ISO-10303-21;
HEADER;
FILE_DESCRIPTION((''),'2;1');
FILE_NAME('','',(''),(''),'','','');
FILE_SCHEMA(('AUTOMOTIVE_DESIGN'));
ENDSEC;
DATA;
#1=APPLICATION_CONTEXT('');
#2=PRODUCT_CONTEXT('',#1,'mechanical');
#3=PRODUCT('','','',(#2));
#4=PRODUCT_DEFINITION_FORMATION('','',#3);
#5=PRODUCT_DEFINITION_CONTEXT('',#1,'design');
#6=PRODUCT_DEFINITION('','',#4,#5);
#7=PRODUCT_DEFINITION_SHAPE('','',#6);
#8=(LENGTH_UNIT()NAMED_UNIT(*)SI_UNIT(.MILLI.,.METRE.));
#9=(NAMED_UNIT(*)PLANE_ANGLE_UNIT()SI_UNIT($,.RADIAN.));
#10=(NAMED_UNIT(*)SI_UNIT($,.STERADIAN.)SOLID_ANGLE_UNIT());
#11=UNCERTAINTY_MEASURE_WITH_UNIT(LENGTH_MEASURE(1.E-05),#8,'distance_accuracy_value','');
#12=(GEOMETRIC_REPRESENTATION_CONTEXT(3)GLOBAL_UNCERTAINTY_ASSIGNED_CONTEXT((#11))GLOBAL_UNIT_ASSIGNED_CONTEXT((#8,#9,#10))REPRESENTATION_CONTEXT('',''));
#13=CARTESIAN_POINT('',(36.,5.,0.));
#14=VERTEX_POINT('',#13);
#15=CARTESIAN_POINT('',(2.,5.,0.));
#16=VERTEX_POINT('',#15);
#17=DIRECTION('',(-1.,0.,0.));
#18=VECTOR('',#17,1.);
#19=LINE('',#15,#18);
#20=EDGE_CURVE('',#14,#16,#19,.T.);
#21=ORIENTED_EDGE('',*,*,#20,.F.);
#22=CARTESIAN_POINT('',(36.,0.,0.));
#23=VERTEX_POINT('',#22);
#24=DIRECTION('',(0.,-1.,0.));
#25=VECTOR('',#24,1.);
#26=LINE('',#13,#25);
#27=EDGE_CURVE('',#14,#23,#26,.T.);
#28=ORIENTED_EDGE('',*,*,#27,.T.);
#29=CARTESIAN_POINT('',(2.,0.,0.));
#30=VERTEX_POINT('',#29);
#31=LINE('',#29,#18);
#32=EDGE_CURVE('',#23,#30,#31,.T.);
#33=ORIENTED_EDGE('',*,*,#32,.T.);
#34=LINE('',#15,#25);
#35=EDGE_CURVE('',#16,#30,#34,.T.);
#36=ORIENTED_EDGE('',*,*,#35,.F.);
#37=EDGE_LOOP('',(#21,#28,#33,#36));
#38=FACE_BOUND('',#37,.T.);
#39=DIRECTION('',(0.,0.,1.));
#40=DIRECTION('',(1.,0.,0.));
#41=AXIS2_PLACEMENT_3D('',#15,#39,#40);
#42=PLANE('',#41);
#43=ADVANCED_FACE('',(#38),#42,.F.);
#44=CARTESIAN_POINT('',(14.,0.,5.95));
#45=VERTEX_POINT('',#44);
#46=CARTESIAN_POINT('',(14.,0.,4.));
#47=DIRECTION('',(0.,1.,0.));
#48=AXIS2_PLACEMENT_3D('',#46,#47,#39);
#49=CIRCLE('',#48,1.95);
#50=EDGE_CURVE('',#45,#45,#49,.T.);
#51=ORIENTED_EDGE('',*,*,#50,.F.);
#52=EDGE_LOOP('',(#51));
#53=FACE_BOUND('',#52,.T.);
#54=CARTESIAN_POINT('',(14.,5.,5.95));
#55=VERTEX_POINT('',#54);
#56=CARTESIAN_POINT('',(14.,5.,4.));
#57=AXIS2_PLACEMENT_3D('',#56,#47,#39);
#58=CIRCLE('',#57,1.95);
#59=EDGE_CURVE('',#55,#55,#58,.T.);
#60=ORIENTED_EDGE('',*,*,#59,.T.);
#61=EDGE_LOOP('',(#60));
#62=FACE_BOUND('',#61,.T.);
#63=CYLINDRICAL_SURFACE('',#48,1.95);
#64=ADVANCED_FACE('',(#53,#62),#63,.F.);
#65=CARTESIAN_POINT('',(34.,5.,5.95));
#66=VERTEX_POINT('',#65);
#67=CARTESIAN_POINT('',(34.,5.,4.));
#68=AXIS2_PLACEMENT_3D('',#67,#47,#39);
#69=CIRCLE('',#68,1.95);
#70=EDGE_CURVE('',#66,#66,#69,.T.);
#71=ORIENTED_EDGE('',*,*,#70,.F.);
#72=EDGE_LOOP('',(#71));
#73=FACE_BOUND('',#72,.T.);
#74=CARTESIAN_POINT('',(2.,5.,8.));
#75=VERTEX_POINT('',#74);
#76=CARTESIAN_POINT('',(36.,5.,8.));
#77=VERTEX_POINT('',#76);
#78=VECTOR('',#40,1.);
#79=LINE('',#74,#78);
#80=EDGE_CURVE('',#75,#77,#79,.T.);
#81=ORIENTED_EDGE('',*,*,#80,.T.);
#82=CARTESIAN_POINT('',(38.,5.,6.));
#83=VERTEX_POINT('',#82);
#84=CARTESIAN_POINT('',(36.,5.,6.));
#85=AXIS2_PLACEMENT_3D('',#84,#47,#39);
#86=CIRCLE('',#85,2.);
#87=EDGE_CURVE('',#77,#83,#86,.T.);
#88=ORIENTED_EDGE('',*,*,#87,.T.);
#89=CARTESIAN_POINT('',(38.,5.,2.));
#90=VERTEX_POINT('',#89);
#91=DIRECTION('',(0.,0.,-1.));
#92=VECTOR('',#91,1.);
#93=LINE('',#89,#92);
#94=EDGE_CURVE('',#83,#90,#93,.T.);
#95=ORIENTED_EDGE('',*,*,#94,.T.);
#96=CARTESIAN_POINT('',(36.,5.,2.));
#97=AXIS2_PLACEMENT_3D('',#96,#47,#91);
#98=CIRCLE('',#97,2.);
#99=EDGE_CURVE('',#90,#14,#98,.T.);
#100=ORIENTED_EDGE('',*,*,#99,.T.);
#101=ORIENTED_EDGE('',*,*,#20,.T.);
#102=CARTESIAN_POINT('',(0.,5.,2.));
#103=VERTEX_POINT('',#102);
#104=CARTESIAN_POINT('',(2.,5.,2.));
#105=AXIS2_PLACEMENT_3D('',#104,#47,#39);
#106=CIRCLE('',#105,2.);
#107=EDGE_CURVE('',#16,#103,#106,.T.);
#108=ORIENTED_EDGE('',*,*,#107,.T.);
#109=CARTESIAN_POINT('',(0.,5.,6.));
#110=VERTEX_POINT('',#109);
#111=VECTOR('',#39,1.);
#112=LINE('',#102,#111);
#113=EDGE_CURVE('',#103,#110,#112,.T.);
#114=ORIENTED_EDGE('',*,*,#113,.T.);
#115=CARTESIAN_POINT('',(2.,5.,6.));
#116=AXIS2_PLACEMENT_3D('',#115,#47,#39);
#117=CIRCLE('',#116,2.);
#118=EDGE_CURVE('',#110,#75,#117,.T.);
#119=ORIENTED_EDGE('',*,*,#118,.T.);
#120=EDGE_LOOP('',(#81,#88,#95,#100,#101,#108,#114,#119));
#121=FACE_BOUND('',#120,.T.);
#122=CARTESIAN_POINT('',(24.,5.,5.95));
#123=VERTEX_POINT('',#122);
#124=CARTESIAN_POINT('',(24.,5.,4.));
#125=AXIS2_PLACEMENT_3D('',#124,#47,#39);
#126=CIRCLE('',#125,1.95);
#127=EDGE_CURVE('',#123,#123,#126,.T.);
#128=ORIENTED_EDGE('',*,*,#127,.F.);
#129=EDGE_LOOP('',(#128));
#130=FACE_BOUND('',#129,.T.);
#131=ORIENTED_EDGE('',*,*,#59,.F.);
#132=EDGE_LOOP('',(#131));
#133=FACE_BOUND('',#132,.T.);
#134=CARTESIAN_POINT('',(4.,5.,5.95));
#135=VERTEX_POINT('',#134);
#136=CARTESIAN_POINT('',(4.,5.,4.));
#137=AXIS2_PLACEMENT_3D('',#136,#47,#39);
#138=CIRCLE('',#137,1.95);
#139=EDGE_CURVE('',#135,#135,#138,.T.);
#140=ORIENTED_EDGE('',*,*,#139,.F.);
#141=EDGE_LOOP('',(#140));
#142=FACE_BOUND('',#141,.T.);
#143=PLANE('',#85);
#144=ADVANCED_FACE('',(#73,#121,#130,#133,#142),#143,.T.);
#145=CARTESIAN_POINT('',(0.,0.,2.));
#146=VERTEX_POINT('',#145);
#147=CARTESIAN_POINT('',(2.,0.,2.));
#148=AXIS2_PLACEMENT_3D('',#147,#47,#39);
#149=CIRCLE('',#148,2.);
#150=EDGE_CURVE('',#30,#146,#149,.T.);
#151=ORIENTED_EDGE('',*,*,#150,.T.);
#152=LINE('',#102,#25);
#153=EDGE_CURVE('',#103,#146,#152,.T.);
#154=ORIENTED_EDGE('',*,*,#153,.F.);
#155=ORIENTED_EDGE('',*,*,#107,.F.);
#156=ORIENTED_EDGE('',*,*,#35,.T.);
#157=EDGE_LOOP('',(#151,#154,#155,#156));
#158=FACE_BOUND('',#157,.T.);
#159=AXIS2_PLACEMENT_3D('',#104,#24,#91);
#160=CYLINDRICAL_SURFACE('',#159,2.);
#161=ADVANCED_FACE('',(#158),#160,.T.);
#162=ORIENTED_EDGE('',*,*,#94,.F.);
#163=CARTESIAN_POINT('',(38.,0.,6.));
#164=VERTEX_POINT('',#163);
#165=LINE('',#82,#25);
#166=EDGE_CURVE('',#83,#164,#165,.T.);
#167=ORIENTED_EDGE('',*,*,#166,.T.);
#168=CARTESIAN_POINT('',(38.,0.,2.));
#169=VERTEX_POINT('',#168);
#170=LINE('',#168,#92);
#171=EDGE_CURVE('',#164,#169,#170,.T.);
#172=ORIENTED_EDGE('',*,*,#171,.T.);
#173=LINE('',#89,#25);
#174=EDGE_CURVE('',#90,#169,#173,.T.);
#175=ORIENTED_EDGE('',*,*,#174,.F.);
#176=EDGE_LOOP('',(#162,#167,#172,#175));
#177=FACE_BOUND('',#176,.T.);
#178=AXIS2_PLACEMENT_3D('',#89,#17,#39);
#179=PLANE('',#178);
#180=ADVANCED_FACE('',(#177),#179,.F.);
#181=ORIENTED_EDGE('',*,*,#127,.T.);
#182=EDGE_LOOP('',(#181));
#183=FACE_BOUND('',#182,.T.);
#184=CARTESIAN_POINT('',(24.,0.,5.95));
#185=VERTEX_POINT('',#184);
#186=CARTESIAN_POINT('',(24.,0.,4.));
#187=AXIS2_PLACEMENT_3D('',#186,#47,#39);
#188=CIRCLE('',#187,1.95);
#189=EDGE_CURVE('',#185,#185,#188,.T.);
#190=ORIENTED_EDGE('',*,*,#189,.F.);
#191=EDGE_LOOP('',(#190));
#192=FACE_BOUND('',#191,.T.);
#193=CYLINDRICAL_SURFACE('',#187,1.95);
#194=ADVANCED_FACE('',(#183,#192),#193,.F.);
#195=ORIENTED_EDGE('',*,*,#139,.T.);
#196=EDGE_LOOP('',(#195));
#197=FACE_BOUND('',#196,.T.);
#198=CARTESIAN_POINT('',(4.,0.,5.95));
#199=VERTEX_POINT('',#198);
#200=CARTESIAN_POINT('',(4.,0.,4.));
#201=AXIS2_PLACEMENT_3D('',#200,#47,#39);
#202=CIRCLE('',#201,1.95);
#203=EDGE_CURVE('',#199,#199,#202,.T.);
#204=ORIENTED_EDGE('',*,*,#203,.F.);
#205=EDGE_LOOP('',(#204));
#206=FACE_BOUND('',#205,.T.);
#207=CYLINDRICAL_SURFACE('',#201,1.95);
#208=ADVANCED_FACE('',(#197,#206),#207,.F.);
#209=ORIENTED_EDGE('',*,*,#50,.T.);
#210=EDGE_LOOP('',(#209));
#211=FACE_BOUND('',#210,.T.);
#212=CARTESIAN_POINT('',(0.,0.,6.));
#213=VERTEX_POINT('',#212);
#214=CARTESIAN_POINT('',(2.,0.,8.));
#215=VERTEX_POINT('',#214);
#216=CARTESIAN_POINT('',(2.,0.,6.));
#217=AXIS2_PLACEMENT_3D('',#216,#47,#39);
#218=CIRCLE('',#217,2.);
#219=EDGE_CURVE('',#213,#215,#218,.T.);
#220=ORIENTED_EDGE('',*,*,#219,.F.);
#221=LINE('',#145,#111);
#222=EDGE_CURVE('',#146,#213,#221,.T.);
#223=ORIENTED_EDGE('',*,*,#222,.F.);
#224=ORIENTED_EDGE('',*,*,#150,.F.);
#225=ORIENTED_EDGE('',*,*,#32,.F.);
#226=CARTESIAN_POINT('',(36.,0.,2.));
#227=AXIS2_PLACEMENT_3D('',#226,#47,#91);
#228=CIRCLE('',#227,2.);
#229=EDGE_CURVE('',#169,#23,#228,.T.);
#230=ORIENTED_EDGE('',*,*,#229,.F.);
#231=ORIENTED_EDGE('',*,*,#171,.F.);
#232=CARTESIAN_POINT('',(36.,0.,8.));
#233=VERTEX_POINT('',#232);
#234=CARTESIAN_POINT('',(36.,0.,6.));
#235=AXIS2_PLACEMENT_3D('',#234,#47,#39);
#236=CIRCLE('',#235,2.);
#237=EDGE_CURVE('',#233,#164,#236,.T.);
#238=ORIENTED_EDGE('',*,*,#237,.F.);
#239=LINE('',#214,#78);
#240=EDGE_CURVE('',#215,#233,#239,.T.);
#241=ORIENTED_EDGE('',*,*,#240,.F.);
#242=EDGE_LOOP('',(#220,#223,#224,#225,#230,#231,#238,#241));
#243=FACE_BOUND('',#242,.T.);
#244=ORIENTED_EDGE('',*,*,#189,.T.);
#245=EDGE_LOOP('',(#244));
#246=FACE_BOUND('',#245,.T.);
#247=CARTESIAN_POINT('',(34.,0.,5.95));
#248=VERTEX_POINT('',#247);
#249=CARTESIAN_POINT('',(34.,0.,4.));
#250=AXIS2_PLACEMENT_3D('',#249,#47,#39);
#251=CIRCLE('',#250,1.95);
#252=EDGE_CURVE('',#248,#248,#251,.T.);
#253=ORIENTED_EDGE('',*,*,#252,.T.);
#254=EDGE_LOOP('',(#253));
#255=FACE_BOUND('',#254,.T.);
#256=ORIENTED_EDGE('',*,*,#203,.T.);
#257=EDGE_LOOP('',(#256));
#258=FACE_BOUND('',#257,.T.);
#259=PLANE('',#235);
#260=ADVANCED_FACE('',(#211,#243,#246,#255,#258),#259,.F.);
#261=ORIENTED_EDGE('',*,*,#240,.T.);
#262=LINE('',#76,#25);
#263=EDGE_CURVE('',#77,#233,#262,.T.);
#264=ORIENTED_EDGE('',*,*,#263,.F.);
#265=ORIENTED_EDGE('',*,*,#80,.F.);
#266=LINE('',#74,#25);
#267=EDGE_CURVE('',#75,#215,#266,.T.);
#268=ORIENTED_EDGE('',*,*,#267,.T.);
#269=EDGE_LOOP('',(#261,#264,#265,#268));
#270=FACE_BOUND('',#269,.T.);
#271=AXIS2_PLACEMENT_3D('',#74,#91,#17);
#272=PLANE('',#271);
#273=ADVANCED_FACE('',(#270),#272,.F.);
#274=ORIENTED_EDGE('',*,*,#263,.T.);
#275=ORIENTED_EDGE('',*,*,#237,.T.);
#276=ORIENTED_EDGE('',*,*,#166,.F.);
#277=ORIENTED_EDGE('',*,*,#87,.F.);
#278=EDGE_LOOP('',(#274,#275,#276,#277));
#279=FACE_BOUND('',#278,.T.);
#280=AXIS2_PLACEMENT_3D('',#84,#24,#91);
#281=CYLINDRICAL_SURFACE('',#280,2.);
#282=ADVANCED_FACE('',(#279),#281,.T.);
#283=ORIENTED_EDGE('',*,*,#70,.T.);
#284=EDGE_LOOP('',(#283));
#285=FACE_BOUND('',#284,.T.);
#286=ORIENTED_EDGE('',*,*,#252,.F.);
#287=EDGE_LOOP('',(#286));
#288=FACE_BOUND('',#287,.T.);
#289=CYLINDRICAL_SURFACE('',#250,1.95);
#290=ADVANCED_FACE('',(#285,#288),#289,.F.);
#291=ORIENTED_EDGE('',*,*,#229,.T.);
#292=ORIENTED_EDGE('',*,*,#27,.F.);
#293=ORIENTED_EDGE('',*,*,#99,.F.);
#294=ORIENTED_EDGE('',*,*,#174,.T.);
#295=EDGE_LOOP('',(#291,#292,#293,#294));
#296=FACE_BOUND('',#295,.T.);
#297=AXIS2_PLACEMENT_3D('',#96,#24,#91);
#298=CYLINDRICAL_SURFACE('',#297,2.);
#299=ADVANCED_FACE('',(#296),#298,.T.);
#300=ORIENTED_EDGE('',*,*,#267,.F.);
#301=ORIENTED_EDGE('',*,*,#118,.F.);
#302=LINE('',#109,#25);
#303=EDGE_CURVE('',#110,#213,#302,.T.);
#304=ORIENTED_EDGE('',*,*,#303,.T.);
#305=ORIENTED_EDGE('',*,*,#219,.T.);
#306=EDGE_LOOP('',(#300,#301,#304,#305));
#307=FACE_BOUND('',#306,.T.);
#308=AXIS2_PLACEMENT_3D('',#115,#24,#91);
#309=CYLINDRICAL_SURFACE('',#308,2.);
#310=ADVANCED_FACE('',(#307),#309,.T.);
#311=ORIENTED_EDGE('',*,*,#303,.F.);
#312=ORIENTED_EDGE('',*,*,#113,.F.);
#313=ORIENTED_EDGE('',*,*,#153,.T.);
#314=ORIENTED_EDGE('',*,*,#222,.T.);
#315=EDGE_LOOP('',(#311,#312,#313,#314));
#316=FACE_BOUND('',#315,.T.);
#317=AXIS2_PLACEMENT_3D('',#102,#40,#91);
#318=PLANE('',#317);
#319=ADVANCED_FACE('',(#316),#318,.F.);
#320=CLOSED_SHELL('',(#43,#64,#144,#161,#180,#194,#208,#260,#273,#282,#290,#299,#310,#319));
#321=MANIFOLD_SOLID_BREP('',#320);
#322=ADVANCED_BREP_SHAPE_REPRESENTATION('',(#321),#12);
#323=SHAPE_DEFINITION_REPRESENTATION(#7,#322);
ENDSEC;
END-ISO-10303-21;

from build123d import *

# Parameters (mm, degrees)
BOSS_EXTRUDE1_DEPTH = 5
SKETCH2_R           = 1.95
CUT_EXTRUDE1_DEPTH  = 6


with BuildPart() as part:
    # Sketch1 → Boss-Extrude1 (new body)
    with BuildSketch(Plane(origin=(0, 0, 0), x_dir=(1, 0, 0), z_dir=(0, 1, 0))):
        with BuildLine():
            Line((2, 0), (36, 0))
            ThreePointArc((36, 0), (37.414213562, -0.585786438), (38, -2))
            Line((38, -2), (38, -6))
            ThreePointArc((38, -6), (37.414213562, -7.414213562), (36, -8))
            Line((36, -8), (2, -8))
            ThreePointArc((2, -8), (0.585786438, -7.414213562), (0, -6))
            Line((0, -6), (0, -2))
            ThreePointArc((0, -2), (0.585786438, -0.585786438), (2, 0))
        make_face()
    extrude(amount=BOSS_EXTRUDE1_DEPTH)

    # Sketch2 → Cut-Extrude1 (cut, through all)
    with BuildSketch(Plane(origin=(0, 5, 0), x_dir=(1, 0, 0), z_dir=(0, 1, 0))):
        with Locations((34, -4)):
            Circle(SKETCH2_R)
        with Locations((24, -4)):
            Circle(SKETCH2_R)
        with Locations((14, -4)):
            Circle(SKETCH2_R)
        with Locations((-16, -4)):
            Circle(SKETCH2_R)
        with Locations((4, -4)):
            Circle(SKETCH2_R)
        with Locations((-6, -4)):
            Circle(SKETCH2_R)
    extrude(amount=-CUT_EXTRUDE1_DEPTH, mode=Mode.SUBTRACT)


solid = part.part
